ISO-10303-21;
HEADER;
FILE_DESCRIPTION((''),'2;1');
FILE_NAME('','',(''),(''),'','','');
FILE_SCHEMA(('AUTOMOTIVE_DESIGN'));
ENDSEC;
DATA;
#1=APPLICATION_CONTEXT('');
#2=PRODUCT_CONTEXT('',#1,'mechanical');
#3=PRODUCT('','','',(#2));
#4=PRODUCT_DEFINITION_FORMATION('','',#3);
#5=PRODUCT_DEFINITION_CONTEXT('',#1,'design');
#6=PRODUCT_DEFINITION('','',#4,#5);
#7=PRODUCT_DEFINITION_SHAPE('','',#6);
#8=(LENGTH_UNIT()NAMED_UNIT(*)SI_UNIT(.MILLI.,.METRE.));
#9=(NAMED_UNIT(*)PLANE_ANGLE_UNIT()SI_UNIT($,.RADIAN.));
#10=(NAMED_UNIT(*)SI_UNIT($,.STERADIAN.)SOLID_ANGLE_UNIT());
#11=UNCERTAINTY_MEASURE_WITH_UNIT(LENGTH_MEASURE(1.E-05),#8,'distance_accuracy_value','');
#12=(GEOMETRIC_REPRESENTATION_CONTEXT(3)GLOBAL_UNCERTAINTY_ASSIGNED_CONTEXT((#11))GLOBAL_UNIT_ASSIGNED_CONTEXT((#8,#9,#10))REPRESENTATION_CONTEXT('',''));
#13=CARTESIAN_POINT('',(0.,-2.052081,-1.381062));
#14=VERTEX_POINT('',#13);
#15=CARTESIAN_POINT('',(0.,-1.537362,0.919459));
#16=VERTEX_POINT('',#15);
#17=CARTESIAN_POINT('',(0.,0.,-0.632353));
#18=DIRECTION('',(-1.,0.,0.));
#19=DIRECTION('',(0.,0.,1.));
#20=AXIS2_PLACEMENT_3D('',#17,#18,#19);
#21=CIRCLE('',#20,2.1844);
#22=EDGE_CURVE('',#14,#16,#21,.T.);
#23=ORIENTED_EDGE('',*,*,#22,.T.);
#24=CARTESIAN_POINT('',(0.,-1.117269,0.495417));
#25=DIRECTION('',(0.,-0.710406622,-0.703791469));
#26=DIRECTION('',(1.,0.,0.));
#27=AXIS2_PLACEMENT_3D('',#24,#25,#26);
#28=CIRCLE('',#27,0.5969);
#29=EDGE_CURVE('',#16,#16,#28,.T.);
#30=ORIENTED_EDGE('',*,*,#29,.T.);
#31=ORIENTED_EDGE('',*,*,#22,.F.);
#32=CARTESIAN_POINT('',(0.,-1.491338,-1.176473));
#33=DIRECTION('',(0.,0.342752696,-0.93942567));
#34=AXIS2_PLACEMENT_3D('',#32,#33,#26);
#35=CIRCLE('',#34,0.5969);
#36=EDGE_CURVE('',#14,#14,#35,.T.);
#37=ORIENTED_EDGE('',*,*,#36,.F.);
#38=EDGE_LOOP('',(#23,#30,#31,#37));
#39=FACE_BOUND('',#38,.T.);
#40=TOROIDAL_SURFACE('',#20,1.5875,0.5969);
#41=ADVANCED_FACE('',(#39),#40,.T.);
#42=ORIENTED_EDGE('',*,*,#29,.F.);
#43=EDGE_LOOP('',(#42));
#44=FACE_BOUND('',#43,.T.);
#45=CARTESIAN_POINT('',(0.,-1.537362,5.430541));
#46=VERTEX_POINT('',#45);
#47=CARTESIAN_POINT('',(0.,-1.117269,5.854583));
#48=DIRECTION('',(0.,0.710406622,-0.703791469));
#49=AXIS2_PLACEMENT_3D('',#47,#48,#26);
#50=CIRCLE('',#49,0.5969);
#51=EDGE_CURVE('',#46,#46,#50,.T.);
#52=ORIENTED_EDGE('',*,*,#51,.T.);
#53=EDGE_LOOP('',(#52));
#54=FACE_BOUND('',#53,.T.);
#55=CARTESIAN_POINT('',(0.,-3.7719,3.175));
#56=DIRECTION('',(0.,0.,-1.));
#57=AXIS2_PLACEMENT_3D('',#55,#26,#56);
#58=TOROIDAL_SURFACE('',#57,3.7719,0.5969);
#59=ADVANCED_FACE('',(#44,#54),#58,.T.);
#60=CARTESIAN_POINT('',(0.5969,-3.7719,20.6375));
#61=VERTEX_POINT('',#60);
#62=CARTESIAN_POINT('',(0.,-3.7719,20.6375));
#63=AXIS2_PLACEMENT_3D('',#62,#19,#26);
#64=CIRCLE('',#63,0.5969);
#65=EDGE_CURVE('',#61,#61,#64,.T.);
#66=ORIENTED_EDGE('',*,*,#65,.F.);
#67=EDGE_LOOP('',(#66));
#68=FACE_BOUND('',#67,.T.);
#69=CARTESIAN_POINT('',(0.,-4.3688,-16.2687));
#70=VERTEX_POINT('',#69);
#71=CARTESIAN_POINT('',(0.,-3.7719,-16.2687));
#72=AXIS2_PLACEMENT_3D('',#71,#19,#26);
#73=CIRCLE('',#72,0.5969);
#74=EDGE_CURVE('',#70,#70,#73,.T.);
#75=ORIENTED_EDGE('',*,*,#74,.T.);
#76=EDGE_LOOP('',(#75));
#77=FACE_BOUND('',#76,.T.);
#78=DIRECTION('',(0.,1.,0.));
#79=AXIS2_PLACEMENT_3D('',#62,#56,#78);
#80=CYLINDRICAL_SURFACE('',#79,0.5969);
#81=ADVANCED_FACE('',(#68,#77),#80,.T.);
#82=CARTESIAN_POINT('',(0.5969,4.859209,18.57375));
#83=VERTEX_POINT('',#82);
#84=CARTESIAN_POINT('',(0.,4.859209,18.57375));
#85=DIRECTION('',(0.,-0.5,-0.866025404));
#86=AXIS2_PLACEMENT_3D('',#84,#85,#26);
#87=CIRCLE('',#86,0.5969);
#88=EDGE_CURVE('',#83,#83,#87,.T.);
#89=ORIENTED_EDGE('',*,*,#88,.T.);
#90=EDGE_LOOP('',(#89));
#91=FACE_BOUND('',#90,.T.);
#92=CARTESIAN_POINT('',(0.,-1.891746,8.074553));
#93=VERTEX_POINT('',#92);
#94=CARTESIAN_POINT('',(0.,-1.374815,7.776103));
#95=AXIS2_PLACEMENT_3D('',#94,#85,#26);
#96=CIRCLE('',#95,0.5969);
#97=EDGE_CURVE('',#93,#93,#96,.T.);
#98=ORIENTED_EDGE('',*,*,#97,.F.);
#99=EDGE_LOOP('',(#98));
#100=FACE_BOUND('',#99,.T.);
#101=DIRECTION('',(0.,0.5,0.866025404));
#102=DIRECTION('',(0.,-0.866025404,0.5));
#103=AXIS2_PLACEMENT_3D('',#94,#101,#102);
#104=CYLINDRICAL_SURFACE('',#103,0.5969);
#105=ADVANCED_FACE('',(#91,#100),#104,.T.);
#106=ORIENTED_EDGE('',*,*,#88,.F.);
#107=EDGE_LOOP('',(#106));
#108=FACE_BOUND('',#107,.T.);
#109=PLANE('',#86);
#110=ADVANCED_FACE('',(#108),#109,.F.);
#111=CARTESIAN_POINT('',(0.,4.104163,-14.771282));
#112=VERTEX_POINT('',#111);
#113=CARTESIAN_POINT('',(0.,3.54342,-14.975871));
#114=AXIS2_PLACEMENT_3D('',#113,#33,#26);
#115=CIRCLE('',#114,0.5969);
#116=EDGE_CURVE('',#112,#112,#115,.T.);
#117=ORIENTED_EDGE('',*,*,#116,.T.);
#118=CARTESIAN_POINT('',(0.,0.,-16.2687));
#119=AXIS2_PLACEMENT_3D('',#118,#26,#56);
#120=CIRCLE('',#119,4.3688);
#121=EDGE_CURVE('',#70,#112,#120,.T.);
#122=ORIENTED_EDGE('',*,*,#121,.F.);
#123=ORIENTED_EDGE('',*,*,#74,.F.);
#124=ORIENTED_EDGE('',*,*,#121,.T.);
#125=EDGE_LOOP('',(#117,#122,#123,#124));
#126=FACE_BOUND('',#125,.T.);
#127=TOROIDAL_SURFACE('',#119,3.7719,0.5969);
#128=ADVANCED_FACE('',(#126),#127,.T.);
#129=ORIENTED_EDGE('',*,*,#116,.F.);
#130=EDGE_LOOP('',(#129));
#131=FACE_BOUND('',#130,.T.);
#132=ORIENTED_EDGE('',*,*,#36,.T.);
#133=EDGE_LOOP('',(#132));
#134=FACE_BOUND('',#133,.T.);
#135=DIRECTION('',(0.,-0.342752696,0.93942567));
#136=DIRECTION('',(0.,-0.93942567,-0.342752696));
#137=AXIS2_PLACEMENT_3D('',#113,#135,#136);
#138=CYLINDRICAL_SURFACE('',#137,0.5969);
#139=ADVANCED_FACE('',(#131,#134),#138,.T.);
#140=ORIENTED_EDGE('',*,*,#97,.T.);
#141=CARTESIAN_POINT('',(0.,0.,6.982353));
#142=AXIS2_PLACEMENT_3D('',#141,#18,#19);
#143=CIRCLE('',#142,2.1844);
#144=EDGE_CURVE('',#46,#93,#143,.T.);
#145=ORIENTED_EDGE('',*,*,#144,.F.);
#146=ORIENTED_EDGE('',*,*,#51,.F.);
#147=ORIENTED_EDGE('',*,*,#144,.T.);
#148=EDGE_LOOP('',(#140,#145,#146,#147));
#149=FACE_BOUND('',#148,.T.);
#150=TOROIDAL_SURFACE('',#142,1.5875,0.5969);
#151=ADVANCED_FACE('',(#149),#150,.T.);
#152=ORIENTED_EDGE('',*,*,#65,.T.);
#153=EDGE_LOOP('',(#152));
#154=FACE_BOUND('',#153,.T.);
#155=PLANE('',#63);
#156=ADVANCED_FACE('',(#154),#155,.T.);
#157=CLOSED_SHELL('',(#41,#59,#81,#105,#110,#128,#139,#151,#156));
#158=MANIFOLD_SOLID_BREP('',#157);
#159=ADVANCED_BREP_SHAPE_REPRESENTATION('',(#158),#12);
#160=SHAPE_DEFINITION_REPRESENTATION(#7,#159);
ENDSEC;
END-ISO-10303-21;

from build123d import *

# Parameters (mm, degrees)
SKETCH3_R = 0.5969


with BuildPart() as part:
    # Sweep1: sweep along a path in Sketch4
    with BuildLine(Plane(origin=(0, 0, 0), x_dir=(0, 0, -1), z_dir=(1, 0, 0))) as sweep1_path:
        Line((-18.57375, 4.859208931), (-7.776103247, -1.374815329))
        ThreePointArc((-7.776103247, -1.374815329), (-6.771462378, -1.573429786), (-5.854582736, -1.117268957))
        ThreePointArc((-5.854582736, -1.117268957), (-3.175, 0), (-0.495417264, -1.117268957))
        ThreePointArc((-0.495417264, -1.117268957), (0.28573535, -1.549197303), (1.176473152, -1.491338251))
        Line((1.176473152, -1.491338251), (14.975871107, 3.543419685))
        ThreePointArc((14.975871107, 3.543419685), (19.983040744, 0.656431604), (16.2687, -3.7719))
        Line((16.2687, -3.7719), (-20.6375, -3.7719))
    # Sketch3 → Sweep1 (sweep)
    with BuildSketch(Plane.XY.offset(20.6375)):
        with Locations((0, -3.7719)):
            Circle(SKETCH3_R)
    sweep(path=sweep1_path.line)


solid = part.part
